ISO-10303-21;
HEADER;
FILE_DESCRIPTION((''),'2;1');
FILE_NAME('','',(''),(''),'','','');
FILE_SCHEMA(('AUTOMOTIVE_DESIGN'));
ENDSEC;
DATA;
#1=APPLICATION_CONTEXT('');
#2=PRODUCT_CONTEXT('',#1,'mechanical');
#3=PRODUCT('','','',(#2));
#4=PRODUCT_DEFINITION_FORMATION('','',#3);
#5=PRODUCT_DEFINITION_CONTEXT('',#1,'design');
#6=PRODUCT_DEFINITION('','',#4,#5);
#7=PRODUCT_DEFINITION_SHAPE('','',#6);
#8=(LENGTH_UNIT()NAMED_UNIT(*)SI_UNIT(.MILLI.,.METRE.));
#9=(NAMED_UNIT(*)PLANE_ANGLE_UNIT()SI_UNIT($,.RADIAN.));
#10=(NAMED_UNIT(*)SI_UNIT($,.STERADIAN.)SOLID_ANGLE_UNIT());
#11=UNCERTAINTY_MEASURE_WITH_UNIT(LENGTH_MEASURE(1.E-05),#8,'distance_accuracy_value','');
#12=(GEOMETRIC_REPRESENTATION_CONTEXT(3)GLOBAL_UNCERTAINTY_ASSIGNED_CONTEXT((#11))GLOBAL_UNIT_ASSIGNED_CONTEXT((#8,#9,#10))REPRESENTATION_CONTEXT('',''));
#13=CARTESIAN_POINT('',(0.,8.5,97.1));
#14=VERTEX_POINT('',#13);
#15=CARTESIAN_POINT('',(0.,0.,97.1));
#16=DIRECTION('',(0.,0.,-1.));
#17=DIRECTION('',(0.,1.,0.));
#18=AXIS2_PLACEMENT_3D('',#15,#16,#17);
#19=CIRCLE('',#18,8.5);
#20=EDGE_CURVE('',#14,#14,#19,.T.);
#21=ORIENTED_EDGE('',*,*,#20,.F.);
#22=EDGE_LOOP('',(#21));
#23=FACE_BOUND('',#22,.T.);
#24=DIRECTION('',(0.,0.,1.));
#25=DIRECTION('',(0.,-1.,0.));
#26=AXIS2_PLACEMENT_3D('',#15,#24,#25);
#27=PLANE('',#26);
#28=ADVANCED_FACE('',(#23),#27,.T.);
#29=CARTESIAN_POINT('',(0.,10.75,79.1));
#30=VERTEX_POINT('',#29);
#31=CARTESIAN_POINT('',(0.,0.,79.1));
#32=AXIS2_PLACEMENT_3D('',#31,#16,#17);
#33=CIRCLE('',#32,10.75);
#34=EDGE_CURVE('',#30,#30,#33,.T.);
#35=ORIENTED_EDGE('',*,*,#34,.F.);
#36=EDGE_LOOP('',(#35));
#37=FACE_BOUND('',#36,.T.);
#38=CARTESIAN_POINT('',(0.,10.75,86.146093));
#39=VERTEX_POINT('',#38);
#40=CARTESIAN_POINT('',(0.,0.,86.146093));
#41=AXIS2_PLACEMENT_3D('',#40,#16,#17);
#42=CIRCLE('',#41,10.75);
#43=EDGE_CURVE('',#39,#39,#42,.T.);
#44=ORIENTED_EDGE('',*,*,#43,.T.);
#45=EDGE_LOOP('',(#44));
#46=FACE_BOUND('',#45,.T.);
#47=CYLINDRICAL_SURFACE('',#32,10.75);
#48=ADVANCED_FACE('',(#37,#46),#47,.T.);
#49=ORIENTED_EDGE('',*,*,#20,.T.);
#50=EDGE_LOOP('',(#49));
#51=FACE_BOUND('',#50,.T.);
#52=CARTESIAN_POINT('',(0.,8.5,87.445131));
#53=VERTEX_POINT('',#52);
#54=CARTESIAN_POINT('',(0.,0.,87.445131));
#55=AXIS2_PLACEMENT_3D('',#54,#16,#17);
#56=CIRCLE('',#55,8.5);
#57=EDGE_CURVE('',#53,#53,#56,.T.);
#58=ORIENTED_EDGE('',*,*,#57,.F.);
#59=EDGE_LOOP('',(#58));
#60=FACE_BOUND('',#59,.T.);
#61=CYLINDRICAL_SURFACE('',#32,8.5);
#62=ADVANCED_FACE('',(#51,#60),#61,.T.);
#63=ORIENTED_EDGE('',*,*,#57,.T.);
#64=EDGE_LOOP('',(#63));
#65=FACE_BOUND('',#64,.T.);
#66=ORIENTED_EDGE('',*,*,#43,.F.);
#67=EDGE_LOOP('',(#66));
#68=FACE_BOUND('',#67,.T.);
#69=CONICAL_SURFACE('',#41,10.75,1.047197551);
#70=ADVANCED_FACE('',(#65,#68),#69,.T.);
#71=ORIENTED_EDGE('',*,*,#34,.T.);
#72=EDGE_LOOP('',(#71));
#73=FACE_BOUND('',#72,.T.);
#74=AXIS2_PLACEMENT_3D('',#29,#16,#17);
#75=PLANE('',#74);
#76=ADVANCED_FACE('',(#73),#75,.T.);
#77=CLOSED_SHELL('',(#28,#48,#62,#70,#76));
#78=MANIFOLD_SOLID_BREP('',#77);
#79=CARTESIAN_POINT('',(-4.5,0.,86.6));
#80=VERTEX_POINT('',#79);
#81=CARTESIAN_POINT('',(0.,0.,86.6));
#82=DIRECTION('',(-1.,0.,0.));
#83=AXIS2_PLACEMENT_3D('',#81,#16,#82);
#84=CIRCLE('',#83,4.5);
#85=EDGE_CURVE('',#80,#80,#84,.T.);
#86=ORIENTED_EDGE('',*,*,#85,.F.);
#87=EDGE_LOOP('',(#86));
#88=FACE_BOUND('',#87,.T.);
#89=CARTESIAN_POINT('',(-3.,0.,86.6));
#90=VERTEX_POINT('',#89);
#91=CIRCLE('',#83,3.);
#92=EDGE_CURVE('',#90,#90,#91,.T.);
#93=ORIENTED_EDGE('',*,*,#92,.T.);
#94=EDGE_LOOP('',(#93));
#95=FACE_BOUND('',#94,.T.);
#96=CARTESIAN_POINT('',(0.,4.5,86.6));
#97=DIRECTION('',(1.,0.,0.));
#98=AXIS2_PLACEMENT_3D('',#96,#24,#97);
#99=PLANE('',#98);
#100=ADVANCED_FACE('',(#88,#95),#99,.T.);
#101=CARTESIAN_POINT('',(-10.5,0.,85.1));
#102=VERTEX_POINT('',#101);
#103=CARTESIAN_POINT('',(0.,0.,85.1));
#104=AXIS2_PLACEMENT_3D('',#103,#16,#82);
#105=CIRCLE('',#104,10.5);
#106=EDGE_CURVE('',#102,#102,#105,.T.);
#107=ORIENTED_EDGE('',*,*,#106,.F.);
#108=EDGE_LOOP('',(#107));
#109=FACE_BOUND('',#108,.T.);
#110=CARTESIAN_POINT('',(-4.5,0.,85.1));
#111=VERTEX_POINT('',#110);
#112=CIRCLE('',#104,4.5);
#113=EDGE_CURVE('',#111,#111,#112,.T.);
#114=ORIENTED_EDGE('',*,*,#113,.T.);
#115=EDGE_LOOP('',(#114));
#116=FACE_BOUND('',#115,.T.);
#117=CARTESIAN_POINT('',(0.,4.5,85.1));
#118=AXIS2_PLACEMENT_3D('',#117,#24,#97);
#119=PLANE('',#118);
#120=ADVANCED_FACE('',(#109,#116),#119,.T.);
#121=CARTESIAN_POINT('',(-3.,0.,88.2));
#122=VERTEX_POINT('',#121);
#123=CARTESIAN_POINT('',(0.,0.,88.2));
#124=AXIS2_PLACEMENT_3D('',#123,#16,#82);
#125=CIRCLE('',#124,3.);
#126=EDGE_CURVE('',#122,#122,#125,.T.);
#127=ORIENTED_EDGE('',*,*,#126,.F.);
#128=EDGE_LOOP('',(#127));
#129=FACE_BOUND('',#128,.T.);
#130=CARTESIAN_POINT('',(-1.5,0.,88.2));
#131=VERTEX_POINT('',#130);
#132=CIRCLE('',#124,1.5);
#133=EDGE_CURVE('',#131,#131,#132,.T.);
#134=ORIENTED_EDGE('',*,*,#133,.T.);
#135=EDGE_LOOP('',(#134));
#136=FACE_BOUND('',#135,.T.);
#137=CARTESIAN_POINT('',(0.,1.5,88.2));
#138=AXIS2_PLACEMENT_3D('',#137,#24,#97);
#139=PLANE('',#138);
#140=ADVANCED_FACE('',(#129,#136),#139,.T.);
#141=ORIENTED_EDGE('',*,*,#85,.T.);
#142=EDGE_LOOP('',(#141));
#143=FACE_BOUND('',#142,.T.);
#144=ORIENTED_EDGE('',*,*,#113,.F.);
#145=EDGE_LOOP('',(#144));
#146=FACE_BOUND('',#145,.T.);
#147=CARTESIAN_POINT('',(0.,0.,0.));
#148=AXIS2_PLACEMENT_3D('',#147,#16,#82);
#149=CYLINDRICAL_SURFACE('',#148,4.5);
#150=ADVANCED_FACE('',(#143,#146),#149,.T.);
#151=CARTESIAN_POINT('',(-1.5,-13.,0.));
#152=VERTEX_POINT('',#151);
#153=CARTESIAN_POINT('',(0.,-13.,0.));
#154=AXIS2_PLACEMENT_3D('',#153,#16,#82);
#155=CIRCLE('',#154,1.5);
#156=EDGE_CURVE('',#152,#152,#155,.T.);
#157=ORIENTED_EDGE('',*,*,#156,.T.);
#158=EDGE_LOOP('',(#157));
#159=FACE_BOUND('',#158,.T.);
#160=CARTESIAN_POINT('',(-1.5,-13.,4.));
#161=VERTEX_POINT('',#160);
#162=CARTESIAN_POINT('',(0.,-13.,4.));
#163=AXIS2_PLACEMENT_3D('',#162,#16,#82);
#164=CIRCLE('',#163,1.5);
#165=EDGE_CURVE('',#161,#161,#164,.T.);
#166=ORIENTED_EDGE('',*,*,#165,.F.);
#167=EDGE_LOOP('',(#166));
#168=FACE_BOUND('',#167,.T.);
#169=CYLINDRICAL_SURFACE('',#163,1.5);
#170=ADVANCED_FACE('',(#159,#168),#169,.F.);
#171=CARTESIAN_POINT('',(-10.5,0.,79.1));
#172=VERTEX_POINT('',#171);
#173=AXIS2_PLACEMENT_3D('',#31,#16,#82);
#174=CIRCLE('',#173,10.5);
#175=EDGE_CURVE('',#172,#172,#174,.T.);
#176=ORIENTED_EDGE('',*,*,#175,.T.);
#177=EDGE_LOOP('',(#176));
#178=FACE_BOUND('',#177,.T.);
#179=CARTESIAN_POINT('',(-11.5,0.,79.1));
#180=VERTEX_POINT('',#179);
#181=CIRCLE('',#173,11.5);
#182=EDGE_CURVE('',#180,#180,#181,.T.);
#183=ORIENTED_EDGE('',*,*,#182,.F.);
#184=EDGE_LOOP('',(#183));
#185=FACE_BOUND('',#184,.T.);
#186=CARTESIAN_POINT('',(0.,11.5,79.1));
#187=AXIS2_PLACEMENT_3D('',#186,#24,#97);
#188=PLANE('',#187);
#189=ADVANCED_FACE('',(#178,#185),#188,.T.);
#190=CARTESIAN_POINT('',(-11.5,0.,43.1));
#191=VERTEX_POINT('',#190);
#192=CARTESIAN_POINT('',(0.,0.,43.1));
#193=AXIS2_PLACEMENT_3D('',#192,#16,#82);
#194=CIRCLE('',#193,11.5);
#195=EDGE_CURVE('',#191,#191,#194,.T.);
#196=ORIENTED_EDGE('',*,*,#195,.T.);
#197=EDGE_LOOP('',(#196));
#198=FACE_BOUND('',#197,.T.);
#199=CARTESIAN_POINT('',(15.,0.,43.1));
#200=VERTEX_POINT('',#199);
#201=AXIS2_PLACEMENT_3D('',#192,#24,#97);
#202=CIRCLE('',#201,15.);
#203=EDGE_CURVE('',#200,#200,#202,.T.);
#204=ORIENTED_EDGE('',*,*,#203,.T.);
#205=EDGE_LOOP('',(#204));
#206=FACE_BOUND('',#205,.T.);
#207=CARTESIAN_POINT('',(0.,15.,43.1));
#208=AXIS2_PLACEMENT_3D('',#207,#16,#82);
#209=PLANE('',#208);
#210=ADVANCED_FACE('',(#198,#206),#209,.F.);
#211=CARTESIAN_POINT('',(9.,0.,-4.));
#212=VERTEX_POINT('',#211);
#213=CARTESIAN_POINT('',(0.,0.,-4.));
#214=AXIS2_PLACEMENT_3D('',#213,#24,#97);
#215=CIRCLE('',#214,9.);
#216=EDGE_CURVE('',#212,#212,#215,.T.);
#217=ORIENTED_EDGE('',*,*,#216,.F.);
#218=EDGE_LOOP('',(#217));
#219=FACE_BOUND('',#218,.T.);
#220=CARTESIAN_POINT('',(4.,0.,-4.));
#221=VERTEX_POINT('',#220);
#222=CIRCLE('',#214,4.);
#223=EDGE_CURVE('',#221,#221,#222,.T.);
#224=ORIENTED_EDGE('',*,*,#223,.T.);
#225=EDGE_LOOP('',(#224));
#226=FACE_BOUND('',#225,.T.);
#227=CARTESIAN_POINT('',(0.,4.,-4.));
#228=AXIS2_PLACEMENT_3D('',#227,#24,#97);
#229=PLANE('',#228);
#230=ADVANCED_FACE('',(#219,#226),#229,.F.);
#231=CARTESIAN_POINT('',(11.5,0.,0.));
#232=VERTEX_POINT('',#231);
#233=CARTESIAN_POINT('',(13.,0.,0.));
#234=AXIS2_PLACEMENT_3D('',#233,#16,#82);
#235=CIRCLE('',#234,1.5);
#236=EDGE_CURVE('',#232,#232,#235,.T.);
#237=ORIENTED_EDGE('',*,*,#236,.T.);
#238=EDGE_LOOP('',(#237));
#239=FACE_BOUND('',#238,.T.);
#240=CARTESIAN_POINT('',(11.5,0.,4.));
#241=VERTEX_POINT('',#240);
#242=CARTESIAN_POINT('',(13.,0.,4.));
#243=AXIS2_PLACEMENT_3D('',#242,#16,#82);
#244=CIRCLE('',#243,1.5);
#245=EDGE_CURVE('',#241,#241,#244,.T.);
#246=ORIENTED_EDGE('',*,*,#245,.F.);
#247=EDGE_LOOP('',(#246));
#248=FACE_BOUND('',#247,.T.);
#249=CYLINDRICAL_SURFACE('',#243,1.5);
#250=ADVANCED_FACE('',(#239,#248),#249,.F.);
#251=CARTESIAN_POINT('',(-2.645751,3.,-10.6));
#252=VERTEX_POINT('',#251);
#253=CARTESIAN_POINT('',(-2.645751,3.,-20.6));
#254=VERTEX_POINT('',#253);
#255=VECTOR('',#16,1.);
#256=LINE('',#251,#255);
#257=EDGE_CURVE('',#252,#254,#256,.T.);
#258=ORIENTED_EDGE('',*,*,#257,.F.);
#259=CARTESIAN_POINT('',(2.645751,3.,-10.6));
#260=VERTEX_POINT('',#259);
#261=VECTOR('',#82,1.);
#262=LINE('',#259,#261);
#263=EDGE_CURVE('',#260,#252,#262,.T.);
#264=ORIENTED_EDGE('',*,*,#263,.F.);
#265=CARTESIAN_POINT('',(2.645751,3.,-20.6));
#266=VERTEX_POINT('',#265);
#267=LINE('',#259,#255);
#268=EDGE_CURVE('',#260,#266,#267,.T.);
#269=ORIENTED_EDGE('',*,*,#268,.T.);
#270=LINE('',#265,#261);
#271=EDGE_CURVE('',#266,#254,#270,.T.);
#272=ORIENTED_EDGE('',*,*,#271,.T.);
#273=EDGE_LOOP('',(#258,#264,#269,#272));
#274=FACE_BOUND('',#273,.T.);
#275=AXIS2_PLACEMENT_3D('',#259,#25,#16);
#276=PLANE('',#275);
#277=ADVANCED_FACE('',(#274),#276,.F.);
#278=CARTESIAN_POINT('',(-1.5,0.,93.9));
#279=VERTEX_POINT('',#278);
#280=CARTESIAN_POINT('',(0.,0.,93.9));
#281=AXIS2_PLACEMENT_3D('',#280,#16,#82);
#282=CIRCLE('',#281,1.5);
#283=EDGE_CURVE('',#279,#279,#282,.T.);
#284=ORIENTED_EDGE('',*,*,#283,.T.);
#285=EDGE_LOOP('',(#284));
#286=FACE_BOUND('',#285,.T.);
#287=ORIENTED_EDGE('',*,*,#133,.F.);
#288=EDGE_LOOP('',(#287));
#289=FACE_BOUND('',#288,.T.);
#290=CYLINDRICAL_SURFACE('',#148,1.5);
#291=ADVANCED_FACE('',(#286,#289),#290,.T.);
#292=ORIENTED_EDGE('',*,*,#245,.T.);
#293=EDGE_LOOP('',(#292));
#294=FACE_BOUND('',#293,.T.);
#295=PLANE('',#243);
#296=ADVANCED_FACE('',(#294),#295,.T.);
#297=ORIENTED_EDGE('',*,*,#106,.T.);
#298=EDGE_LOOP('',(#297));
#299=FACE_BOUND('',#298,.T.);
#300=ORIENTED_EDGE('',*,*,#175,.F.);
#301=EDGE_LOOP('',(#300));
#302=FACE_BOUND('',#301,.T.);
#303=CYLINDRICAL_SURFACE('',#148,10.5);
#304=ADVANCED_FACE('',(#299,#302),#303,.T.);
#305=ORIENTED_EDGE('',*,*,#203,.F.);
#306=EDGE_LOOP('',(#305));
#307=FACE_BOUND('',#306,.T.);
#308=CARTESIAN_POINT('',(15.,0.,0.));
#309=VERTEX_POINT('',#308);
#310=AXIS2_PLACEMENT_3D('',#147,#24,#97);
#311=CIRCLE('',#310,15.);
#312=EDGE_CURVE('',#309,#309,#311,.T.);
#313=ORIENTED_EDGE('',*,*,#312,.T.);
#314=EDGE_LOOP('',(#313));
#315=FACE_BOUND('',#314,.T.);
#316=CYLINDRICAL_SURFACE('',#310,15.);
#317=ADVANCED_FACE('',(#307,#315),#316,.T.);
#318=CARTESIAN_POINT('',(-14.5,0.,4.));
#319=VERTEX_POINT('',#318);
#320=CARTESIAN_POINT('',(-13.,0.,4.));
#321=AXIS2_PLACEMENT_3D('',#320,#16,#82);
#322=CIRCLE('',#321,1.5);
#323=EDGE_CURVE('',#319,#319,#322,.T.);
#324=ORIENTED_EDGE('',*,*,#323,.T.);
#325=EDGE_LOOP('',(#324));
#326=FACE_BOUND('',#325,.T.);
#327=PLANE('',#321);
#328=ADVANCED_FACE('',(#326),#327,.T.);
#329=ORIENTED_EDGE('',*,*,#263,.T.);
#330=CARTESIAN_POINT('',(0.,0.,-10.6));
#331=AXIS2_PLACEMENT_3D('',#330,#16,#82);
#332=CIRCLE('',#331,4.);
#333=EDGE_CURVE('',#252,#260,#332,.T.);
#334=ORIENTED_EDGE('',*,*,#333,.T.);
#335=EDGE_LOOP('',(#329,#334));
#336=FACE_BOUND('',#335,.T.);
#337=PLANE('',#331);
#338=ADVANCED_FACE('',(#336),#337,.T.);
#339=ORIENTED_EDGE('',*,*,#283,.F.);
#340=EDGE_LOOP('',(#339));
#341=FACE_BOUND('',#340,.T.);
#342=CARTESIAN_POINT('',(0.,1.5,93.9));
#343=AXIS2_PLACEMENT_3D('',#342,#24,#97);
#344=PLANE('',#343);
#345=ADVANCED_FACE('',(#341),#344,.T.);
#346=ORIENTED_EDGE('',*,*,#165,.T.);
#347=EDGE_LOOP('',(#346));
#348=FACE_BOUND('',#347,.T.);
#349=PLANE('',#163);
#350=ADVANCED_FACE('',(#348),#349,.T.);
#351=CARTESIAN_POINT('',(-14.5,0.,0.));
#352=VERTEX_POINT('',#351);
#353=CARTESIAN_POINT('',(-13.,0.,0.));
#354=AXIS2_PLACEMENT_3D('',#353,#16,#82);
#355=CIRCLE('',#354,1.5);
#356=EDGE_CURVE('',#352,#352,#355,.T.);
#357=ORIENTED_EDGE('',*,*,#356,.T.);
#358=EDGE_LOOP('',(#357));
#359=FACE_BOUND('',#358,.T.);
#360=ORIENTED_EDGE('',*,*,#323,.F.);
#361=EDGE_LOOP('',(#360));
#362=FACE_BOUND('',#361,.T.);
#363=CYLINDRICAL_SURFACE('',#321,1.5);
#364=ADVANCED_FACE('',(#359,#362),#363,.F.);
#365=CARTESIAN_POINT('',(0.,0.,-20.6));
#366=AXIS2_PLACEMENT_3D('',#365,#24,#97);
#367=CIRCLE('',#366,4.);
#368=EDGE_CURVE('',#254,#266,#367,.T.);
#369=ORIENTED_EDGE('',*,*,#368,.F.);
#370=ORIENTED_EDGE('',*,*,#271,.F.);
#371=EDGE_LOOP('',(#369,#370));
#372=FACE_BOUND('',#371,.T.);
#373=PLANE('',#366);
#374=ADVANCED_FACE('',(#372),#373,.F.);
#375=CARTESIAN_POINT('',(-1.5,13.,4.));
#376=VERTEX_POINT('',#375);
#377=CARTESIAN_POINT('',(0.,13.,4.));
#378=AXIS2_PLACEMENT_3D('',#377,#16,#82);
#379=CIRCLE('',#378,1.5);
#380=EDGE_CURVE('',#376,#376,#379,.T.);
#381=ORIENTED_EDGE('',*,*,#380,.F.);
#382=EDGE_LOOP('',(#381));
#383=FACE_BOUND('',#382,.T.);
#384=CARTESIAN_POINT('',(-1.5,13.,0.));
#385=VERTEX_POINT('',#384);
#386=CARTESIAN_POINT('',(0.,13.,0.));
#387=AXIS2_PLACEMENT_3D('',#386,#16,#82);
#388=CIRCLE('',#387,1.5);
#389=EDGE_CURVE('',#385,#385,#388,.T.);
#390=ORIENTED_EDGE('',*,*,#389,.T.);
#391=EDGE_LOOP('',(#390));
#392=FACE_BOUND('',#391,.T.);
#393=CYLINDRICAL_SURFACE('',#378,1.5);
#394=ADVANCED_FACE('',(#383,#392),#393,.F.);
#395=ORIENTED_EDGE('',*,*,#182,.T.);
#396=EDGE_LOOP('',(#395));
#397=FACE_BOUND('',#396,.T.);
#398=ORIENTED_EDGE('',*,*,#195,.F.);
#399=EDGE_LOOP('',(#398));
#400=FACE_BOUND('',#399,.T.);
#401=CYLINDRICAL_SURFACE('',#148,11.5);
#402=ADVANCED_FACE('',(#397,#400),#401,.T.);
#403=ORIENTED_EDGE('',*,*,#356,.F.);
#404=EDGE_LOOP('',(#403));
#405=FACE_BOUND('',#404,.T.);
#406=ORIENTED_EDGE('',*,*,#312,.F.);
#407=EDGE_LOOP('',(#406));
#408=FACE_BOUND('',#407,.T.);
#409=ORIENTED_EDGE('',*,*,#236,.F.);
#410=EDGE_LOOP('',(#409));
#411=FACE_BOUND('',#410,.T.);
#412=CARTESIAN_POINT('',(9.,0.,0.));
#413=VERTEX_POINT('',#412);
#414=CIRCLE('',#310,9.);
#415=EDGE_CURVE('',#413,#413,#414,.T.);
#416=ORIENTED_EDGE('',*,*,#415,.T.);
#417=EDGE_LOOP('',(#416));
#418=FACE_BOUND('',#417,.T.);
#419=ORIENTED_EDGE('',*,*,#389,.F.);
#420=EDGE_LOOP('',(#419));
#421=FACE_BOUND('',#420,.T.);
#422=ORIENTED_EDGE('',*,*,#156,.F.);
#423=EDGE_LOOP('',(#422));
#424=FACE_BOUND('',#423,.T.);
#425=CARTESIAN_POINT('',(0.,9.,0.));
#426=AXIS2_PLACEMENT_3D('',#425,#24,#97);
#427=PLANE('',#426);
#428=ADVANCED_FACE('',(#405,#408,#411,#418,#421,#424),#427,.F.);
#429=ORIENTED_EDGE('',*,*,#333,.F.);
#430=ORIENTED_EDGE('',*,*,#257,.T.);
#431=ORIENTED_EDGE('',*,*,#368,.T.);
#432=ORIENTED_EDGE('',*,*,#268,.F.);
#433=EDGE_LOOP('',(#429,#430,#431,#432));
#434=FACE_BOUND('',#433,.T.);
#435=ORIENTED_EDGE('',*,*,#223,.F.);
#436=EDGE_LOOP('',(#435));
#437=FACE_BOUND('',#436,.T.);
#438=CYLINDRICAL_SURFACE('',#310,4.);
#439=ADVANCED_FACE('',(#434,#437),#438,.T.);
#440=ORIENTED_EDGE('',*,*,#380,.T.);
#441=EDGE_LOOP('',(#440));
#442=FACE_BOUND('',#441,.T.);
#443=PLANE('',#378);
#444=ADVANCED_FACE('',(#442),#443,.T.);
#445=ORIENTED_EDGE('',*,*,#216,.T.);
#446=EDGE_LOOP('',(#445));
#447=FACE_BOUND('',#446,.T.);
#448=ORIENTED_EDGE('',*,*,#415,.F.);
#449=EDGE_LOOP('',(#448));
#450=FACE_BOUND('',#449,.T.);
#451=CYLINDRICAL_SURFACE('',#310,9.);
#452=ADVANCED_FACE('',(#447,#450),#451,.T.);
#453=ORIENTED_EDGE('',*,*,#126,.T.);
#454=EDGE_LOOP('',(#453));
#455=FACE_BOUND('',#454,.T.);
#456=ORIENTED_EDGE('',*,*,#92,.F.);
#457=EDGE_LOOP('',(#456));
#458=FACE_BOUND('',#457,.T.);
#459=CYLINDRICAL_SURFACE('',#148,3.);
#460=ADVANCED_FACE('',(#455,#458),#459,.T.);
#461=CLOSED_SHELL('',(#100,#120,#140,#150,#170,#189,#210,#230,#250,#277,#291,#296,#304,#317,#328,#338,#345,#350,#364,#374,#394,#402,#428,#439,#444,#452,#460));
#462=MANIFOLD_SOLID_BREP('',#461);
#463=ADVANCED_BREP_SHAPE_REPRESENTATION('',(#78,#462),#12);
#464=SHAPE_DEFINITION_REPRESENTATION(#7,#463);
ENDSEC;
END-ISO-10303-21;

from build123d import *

# Parameters (mm, degrees)
CUT_EXTRUDE1_START = -10
CUT_EXTRUDE1_DEPTH = 10
SKETCH5_R          = 1.5
CUT_EXTRUDE2_DEPTH = 4


with BuildPart() as part:
    # Sketch1 → Revolve1 (revolve)
    with BuildSketch(Plane(origin=(0, 0, 0), x_dir=(0, 0, -1), z_dir=(1, 0, 0)), mode=Mode.PRIVATE) as revolve1_sk:
        Polygon((20.6, 0), (20.6, 4), (4, 4), (4, 9), (0, 9), (0, 15), (-43.1, 15), (-43.1, 0), align=None)
    revolve(revolve1_sk.sketch.rotate(Axis((0, 0, 0), (0, 0, -1)), 90), axis=Axis((0, 0, 0), (0, 0, -1)))

    # Sketch2 → Cut-Extrude1 (cut)
    with BuildSketch(Plane(origin=(0, 0, -20.6), x_dir=(-1, 0, 0), z_dir=(0, 0, -1)).offset(CUT_EXTRUDE1_START)):
        with BuildLine():
            Line((-2.645751311, 3), (2.645751311, 3))
            ThreePointArc((2.645751311, 3), (0, 4), (-2.645751311, 3))
        make_face()
    extrude(amount=CUT_EXTRUDE1_DEPTH, mode=Mode.SUBTRACT)

    # Sketch3 → Revolve2 (revolve)
    with BuildSketch(Plane(origin=(0, 0, 0), x_dir=(0, 0, -1), z_dir=(1, 0, 0)), mode=Mode.PRIVATE) as revolve2_sk:
        Polygon((-43.1, 11.5), (-79.1, 11.5), (-79.1, 10.5), (-85.1, 10.5), (-85.1, 4.5), (-86.6, 4.5), (-86.6, 3), (-88.2, 3), (-88.2, 1.5), (-93.9, 1.5), (-93.9, 0), (-43.1, 0), align=None)
    revolve(revolve2_sk.sketch.rotate(Axis((0, 0, 0), (0, 0, 1)), 90), axis=Axis((0, 0, 0), (0, 0, 1)))

    # Sketch5 → Cut-Extrude2 (cut)
    with BuildSketch(Plane(origin=(0, 0, 0), x_dir=(-1, 0, 0), z_dir=(0, 0, -1))):
        with Locations((0, 13)):
            Circle(SKETCH5_R)
        with Locations((13, 0)):
            Circle(SKETCH5_R)
        with Locations((0, -13)):
            Circle(SKETCH5_R)
        with Locations((-13, 0)):
            Circle(SKETCH5_R)
    extrude(amount=-CUT_EXTRUDE2_DEPTH, mode=Mode.SUBTRACT)


with BuildPart() as body_2:
    # Sketch4 → Revolve3 (revolve)
    with BuildSketch(Plane(origin=(0, 0, 0), x_dir=(0, 0, -1), z_dir=(1, 0, 0))):
        Polygon((-86.146092564, 10.75), (-79.1, 10.75), (-79.1, 0), (-97.1, 0), (-97.1, 8.5), (-87.44513067, 8.5), align=None)
    revolve(axis=Axis((0, 0, 79.1), (0, 0, 1)))


solid = Compound([part.part, body_2.part])
